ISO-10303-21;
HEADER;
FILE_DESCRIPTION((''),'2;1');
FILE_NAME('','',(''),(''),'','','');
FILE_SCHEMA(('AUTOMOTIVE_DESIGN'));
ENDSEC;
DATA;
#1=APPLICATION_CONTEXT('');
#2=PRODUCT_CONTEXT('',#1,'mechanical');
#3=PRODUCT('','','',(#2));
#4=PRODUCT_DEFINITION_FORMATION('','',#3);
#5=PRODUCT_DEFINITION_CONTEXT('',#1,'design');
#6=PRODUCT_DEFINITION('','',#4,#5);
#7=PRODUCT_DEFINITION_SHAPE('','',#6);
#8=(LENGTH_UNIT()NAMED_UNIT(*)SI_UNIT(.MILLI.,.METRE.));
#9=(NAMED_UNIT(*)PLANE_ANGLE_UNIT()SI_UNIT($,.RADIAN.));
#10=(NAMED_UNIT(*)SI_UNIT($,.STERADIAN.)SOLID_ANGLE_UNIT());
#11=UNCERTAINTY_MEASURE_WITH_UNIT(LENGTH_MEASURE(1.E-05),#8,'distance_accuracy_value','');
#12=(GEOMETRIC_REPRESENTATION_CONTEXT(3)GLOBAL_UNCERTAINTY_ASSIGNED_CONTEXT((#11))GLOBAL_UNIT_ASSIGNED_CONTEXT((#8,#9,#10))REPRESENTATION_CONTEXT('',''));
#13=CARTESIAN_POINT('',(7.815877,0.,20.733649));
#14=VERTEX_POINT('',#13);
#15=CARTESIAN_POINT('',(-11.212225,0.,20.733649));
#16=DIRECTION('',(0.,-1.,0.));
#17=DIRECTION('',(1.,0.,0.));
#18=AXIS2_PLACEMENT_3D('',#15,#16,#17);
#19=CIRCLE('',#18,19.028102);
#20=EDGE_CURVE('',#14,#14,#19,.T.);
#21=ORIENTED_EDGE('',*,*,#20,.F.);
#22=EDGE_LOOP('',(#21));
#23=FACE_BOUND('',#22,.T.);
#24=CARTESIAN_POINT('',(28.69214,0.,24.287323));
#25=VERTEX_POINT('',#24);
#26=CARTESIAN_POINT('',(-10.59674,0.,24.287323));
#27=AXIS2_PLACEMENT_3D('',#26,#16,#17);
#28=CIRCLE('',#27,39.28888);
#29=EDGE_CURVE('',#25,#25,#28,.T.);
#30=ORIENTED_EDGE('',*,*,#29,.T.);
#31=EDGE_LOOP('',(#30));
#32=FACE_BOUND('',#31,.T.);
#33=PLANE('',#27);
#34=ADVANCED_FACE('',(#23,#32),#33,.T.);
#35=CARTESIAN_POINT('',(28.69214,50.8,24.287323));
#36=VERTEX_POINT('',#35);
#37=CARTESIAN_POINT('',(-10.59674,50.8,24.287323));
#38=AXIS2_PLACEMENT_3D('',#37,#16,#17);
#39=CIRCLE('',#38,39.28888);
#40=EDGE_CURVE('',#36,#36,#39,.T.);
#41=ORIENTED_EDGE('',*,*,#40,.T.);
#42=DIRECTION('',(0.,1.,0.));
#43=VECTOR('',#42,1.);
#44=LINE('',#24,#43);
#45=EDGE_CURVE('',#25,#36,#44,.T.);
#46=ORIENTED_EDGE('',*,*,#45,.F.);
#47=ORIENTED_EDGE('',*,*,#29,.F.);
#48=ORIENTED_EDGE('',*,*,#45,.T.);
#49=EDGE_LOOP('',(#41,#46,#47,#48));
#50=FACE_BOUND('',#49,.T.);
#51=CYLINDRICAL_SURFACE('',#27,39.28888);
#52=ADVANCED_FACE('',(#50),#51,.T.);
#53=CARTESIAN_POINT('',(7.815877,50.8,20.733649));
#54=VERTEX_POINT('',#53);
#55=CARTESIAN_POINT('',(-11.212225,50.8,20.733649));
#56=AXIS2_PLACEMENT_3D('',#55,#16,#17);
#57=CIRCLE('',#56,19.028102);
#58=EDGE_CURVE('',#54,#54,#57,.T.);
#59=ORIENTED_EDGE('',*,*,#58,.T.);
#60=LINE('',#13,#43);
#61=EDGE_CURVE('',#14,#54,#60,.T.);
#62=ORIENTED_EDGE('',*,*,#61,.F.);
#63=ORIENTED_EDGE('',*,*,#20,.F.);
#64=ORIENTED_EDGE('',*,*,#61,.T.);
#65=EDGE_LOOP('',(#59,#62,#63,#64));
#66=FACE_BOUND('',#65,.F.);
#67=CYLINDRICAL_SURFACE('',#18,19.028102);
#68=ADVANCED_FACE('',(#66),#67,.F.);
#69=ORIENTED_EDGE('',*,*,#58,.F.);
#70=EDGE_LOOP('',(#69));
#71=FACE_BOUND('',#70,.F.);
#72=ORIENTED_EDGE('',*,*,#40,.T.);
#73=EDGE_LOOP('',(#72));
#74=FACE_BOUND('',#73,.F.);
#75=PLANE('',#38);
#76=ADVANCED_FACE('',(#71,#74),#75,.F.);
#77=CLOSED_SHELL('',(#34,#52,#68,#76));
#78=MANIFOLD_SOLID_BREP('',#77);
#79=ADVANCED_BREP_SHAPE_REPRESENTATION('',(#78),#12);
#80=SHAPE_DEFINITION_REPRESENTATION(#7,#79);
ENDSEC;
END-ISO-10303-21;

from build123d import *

# Parameters (mm, degrees)
F0_R     = 39.28888
F1_DEPTH = 50.8
F2_R     = 19.028102
F3_DEPTH = 25
F4_DEPTH = 71


with BuildPart() as f1:
    # F0 (on Front) → F1 (new body)
    with BuildSketch(Plane.XZ):
        with Locations((-10.59674, 24.287323)):
            Circle(F0_R)
    extrude(amount=-F1_DEPTH)

    # F2 (on face) → F3 (cut)
    with BuildSketch(Plane.XZ):
        with Locations((-11.212225, 20.733649)):
            Circle(F2_R)
    extrude(amount=F3_DEPTH, mode=Mode.SUBTRACT)

    # F2 (on face) → F4 (cut)
    with BuildSketch(Plane.XZ):
        with Locations((-11.212225, 20.733649)):
            Circle(F2_R)
    extrude(amount=-F4_DEPTH, mode=Mode.SUBTRACT)


solid = f1.part
